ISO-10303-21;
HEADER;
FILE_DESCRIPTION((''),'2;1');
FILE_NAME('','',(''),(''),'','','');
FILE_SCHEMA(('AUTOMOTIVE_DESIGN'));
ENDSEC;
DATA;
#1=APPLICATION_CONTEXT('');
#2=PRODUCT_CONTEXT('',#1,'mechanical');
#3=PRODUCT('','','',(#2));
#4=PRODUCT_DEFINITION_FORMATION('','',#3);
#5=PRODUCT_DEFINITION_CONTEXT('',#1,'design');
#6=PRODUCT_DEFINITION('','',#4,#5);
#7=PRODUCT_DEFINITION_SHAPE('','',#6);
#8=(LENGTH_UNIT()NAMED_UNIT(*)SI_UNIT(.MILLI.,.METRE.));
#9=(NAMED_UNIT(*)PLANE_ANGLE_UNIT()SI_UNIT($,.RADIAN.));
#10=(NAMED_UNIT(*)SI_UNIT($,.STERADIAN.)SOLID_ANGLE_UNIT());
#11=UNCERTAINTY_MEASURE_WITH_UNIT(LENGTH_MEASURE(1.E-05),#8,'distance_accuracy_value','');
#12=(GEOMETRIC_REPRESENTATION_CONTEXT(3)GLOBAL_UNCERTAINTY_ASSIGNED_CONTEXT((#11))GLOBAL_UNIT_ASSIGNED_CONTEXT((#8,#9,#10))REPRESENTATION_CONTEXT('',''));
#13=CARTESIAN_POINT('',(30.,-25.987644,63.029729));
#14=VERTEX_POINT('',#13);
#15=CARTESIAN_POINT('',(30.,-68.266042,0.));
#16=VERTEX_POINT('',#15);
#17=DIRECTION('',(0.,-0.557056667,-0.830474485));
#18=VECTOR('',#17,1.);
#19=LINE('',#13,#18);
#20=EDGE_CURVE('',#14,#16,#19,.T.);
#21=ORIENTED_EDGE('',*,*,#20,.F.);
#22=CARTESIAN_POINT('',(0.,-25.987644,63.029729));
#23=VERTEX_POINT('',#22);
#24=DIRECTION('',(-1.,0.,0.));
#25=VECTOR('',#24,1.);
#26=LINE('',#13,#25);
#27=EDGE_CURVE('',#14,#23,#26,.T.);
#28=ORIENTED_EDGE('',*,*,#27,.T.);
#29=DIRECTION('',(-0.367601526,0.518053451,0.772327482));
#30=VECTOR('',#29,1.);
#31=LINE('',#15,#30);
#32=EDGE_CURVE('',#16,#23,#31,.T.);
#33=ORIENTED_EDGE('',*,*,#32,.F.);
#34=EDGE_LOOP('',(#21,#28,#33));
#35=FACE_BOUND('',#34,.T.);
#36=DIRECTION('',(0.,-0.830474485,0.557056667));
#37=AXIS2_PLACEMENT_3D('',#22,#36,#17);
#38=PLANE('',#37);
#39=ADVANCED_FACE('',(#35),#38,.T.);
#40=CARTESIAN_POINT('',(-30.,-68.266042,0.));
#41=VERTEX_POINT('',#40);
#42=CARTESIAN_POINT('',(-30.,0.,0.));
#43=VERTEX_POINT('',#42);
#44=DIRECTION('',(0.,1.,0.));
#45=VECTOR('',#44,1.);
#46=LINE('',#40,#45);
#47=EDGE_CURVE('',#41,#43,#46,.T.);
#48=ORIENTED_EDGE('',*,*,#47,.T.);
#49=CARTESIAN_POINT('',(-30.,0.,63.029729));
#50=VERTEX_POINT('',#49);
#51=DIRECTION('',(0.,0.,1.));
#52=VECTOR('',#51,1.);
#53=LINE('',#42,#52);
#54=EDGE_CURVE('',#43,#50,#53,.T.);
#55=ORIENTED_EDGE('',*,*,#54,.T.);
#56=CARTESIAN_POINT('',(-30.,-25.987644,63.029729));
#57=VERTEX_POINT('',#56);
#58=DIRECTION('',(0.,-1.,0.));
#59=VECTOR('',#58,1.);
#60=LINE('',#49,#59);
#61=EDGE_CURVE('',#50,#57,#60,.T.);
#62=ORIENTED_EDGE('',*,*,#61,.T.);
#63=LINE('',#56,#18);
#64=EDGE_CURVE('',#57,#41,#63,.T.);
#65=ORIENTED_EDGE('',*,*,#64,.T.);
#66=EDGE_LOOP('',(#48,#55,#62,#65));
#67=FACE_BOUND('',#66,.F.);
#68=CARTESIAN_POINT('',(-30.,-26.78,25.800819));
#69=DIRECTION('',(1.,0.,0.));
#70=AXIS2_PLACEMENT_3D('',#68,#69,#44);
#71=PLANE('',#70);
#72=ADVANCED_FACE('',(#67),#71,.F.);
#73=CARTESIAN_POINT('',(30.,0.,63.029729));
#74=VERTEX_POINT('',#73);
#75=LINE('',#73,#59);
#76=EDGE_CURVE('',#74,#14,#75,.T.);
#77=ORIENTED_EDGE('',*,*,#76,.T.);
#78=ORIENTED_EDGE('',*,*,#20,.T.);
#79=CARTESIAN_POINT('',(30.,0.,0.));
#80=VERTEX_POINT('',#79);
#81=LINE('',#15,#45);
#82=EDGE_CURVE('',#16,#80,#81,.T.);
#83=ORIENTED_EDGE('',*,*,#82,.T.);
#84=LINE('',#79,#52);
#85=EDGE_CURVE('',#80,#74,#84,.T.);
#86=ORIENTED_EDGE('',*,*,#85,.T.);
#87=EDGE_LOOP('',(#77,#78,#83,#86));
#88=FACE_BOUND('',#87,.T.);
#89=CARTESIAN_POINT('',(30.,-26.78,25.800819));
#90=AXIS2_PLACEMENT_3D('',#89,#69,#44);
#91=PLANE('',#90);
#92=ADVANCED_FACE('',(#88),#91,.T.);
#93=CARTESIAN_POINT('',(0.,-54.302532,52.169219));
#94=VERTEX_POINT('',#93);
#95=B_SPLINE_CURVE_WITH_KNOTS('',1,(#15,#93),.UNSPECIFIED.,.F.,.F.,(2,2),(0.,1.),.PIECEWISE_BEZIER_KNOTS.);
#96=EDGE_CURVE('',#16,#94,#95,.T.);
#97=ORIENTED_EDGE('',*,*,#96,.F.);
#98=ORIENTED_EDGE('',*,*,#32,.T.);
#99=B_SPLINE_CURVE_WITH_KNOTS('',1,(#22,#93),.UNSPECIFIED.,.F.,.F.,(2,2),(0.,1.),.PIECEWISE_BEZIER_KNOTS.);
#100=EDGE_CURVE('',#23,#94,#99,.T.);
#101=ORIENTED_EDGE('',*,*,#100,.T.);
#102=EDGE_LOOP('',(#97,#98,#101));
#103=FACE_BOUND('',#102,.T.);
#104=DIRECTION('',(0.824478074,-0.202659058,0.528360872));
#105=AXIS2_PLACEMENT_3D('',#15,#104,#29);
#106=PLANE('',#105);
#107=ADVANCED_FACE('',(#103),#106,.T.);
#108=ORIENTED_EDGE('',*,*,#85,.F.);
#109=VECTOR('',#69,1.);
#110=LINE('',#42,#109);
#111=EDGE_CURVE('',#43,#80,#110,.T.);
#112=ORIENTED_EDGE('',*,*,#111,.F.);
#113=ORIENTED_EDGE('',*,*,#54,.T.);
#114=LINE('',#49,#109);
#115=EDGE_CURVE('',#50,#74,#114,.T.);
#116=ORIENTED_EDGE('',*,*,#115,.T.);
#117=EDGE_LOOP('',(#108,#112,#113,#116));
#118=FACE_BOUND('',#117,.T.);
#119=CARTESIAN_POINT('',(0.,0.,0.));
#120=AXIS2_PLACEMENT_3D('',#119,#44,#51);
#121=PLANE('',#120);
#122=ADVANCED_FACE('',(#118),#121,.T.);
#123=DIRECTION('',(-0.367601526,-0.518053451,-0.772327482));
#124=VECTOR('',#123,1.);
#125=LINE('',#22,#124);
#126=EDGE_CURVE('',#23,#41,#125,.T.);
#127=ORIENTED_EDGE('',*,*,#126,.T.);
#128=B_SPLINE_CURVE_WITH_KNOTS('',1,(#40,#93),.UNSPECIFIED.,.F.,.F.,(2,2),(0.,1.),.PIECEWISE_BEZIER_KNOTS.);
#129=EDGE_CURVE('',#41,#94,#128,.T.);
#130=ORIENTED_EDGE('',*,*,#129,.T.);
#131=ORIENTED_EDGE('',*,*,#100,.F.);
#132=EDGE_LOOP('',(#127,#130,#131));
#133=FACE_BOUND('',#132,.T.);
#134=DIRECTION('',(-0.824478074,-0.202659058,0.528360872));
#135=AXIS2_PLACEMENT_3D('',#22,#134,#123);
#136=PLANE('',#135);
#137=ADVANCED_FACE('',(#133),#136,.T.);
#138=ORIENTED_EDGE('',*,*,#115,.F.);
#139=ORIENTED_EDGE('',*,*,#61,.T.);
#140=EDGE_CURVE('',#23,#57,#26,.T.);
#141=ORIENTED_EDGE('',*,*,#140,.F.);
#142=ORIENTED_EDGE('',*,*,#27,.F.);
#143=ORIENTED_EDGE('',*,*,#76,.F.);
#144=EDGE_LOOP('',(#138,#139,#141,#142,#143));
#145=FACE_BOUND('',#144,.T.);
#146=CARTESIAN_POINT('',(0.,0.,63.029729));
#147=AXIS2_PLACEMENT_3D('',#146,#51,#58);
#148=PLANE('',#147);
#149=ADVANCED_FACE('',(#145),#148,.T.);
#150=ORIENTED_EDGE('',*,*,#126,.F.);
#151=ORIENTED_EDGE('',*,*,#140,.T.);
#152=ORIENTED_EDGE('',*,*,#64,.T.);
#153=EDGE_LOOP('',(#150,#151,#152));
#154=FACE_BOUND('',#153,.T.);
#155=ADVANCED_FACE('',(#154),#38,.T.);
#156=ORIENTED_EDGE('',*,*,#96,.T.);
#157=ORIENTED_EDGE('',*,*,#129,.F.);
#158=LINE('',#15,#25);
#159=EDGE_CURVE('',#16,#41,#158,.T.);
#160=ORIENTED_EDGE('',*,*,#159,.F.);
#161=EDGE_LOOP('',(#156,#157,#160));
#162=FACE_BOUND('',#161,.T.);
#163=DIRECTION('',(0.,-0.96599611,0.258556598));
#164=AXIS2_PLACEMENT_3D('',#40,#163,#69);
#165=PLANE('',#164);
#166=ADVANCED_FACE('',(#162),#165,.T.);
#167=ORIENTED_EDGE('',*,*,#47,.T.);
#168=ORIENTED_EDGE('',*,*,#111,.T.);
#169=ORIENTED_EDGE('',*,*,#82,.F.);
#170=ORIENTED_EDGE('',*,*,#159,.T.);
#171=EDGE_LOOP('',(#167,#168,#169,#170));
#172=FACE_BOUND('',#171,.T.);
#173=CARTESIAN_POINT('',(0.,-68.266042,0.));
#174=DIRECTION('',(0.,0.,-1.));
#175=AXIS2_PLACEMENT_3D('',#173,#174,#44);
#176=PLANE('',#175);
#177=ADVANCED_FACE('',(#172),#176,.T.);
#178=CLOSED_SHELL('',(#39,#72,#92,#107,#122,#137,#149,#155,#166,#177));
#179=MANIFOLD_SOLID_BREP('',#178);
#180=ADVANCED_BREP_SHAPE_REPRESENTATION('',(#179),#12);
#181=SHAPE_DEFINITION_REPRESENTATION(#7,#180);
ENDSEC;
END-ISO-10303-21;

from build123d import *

# Parameters (mm, degrees)
F1_DEPTH = 30


with BuildPart() as f1:
    # F0 (on Right) → F1 (new body, symmetric)
    with BuildSketch(Plane.YZ):
        Polygon((-68.2660415769, 0), (0, 0), (0, 63.0297288299), (-25.9876437485, 63.0297288299), align=None)
    extrude(amount=F1_DEPTH, both=True)

    # F2 (on face) → F3 section 0
    with BuildSketch(Plane(origin=(0, -47.0822608024, 31.5813282052), x_dir=(1, 0, 0), z_dir=(0, -0.8304744848, 0.5570566669)), mode=Mode.PRIVATE) as f3_s0:
        Polygon((0, 37.8679913713), (-30, -38.0280535803), (30, -38.0280535803), align=None)
    loft([f3_s0.sketch, Vertex(0, -54.3025322258, 52.1692186594)])


solid = f1.part
